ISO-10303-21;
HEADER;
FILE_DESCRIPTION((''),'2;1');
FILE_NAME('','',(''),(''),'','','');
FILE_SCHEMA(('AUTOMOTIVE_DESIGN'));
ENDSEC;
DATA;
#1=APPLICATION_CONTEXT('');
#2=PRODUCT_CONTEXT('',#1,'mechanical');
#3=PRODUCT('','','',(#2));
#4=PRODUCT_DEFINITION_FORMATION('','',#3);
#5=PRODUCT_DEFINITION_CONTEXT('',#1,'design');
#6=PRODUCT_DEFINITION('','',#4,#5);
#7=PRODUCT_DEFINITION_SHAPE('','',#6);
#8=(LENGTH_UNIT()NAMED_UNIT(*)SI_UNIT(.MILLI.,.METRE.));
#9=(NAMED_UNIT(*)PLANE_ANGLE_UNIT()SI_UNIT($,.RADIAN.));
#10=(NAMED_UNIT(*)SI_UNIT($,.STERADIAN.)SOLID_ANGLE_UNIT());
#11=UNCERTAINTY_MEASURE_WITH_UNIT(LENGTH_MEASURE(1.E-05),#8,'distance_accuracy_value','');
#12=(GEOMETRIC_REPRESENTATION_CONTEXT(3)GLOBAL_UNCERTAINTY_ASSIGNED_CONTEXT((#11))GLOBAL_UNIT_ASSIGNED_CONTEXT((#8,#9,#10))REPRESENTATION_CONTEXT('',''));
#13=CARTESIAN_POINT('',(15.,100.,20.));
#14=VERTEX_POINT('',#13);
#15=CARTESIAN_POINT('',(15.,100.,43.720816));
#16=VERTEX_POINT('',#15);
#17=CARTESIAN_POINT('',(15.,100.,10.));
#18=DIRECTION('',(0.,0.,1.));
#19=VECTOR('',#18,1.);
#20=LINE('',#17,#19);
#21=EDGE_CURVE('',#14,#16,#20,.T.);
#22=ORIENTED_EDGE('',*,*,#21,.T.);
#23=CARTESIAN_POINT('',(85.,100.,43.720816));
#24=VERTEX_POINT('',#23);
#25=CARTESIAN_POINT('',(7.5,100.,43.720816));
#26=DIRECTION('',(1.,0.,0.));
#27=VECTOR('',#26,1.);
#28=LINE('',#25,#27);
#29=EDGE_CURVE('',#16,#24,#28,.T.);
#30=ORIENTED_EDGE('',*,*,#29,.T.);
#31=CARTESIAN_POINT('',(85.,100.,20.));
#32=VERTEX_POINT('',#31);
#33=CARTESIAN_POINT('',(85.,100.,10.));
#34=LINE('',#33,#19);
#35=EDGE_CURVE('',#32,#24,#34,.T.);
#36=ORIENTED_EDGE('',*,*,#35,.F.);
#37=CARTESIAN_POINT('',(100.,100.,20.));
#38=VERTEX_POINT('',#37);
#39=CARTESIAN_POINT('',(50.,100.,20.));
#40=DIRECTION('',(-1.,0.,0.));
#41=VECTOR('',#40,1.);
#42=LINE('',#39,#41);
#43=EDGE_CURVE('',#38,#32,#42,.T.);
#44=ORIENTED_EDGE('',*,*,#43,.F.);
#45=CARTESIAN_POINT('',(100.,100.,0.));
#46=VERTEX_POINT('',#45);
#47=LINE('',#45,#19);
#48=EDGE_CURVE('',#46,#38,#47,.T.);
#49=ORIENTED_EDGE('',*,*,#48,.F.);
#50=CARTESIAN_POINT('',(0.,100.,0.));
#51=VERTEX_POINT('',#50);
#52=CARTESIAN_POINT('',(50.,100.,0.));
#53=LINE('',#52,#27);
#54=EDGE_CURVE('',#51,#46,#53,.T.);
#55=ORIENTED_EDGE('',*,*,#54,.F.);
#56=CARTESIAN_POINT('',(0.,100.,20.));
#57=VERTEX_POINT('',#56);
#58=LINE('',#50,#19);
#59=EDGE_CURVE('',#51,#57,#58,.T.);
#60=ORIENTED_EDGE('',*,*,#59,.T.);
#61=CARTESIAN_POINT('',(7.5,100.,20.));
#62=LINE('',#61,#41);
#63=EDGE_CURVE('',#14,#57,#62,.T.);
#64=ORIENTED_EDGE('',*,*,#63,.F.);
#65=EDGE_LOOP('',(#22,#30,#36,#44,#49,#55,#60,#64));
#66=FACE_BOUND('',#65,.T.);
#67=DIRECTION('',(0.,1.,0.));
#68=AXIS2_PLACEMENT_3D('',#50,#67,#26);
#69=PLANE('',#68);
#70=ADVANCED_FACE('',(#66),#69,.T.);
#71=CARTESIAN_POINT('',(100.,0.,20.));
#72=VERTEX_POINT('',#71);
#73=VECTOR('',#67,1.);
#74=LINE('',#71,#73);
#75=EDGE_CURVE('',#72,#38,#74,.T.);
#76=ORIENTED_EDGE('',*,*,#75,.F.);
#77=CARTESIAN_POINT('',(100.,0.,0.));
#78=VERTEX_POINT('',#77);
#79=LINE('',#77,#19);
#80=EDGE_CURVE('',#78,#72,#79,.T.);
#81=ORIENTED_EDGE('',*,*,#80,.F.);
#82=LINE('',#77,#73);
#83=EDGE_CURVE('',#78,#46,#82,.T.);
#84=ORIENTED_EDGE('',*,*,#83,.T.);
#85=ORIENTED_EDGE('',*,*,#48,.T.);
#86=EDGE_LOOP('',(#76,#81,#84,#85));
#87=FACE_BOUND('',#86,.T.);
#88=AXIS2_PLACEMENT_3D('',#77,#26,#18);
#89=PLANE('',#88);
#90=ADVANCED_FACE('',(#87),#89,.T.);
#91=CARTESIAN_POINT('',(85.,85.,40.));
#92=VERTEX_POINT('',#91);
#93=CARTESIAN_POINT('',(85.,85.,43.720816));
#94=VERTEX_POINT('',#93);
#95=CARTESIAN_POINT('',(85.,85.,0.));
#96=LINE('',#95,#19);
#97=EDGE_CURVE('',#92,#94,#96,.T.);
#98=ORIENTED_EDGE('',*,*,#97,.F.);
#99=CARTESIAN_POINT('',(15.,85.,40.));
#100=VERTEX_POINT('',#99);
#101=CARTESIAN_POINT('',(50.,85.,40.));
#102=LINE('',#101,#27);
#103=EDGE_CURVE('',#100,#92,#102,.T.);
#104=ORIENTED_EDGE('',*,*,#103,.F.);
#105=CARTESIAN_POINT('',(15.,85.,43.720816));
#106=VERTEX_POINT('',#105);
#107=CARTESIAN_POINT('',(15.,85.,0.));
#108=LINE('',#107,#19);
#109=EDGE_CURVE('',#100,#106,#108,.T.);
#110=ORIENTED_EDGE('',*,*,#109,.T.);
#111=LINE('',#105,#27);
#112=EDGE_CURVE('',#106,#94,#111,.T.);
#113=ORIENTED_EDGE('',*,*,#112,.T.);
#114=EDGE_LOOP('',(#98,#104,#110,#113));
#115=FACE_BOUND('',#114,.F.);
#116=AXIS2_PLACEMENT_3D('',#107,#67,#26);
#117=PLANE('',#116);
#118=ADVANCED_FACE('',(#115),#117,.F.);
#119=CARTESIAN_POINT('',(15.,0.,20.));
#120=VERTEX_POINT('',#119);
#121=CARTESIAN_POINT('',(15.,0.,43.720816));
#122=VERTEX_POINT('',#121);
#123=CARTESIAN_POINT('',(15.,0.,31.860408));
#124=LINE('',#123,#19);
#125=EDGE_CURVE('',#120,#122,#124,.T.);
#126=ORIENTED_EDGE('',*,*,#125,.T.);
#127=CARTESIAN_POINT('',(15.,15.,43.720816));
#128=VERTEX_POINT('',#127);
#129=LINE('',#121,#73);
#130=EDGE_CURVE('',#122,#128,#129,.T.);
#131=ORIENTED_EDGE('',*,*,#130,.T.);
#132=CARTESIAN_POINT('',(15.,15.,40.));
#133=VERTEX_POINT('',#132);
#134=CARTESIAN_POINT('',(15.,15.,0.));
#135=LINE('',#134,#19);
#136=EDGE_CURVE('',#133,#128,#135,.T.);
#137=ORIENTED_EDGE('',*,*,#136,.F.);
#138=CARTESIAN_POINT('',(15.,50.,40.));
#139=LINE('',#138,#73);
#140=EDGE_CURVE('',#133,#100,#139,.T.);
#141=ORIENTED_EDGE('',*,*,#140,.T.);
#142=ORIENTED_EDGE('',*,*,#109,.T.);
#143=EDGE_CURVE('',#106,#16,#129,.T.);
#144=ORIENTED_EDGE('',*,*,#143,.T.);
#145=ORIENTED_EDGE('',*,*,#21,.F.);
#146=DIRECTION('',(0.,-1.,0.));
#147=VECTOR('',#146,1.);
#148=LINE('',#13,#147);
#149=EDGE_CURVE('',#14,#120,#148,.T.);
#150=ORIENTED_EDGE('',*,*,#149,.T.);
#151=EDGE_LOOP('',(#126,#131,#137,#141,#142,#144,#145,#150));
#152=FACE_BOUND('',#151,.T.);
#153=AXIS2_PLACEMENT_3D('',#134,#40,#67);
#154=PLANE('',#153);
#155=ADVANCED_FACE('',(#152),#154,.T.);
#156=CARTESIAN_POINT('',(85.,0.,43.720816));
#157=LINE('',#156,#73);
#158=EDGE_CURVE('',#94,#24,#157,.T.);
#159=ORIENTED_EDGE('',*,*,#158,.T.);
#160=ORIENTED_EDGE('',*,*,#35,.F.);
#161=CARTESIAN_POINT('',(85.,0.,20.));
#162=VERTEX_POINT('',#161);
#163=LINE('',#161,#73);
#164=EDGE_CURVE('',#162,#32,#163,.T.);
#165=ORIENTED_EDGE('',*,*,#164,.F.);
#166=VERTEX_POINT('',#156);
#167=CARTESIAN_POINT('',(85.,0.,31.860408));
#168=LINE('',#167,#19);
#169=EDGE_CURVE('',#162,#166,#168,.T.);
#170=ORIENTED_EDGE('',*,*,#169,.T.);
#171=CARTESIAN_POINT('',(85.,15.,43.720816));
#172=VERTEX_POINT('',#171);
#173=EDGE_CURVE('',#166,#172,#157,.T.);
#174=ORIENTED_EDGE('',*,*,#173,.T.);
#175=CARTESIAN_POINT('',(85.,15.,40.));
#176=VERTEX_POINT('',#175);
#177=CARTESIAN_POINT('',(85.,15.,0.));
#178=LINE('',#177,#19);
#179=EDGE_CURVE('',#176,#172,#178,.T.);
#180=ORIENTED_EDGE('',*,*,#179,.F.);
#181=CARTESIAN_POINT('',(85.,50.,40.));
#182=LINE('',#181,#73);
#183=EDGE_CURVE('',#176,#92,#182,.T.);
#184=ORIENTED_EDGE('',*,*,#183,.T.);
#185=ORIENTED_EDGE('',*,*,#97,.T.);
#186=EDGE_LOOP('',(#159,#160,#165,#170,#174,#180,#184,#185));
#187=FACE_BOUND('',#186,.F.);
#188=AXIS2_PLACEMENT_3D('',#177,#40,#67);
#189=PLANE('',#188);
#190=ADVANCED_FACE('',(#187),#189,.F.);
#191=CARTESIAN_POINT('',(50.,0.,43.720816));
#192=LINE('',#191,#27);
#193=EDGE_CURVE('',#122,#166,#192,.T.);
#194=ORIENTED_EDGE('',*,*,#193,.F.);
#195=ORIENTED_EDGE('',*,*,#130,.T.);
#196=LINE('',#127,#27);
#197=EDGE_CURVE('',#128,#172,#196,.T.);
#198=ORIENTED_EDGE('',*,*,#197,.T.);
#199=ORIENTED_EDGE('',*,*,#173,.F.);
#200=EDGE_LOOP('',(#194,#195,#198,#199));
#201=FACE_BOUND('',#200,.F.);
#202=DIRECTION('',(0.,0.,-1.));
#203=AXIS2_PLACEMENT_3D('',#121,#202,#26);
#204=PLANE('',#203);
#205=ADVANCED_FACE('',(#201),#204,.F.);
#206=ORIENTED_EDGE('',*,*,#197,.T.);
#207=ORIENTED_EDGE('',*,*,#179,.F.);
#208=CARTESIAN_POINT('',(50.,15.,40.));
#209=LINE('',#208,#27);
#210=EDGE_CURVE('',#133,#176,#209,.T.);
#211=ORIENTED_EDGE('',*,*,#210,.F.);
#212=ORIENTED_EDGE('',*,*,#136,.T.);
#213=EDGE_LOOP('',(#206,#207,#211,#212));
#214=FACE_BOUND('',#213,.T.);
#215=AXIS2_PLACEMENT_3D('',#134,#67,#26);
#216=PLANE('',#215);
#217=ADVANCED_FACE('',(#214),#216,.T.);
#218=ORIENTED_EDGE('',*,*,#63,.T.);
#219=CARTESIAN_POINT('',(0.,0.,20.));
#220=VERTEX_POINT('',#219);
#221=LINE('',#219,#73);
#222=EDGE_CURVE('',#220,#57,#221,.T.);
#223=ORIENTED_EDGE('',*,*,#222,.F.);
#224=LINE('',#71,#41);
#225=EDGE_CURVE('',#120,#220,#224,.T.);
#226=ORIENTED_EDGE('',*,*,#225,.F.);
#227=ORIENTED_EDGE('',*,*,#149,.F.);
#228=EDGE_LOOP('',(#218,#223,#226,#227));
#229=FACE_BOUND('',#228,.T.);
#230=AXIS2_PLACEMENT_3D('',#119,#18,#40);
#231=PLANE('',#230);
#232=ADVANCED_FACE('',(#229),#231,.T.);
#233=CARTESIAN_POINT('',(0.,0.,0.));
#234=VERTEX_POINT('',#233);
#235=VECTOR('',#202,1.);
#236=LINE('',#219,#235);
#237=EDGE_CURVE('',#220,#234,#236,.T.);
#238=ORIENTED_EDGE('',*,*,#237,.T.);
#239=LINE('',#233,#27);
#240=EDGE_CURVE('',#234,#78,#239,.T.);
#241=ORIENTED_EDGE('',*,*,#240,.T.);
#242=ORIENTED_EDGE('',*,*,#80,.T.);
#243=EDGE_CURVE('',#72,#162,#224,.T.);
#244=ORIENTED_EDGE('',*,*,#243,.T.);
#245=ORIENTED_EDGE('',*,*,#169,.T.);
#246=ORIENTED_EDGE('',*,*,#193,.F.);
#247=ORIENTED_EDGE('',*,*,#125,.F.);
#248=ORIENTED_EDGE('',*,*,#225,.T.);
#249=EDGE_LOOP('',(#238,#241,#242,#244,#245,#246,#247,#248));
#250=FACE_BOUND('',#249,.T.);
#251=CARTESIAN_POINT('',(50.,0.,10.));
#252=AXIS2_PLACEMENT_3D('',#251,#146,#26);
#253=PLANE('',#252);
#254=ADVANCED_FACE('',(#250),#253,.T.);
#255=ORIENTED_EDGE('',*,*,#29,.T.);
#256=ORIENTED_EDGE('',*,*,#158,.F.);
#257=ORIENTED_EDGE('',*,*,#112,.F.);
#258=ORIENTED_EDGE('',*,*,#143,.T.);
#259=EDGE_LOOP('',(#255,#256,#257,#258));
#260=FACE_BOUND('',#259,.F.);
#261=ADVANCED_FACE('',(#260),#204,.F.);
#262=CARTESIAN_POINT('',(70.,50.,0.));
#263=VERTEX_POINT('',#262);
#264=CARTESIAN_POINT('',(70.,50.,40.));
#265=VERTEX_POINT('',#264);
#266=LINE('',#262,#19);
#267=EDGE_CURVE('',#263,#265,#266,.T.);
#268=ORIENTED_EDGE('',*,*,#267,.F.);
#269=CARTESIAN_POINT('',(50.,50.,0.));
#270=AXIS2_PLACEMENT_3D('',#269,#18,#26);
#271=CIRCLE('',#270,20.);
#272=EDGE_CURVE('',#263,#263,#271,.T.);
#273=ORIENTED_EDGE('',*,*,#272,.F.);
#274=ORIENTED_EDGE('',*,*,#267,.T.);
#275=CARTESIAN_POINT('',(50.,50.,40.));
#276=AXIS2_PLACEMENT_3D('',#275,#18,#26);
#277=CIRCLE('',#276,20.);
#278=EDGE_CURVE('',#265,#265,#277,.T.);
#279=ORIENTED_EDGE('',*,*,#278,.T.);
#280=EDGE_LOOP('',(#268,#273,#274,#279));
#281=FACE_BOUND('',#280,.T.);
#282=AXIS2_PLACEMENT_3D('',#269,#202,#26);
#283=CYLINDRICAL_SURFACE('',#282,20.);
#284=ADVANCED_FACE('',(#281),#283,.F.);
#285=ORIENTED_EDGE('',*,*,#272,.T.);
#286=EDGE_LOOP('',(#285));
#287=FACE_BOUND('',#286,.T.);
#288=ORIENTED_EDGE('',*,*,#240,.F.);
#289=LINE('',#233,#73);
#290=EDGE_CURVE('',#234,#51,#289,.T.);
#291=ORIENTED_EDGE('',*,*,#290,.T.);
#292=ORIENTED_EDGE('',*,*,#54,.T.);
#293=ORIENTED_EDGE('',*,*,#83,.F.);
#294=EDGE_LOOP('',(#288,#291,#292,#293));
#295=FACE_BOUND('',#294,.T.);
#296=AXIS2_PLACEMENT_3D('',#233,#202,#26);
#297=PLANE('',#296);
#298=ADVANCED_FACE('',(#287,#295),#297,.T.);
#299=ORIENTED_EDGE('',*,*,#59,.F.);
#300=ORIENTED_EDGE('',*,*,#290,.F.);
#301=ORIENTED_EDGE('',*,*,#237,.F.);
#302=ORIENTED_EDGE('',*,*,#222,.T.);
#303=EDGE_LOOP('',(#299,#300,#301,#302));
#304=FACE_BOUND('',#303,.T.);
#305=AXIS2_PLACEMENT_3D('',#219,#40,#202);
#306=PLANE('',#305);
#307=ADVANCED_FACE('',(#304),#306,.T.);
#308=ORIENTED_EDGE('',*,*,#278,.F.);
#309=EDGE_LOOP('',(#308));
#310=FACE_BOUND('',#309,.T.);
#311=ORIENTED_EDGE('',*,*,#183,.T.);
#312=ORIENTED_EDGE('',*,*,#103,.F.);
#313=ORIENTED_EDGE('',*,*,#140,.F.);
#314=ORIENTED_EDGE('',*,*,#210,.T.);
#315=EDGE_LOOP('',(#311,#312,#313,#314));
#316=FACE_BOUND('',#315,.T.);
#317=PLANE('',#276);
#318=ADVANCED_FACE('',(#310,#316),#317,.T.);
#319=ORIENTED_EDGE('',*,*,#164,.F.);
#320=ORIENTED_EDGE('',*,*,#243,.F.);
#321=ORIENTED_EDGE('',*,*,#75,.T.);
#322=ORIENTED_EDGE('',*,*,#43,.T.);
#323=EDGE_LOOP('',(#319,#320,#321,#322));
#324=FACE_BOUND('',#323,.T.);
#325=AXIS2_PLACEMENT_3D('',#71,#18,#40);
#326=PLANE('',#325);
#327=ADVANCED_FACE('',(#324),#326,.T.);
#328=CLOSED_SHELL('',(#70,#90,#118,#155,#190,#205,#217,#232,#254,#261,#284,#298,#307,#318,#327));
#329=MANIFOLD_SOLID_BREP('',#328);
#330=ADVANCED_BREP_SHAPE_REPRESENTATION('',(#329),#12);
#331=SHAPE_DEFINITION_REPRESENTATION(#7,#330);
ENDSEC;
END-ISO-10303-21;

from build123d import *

# Parameters (mm, degrees)
F0_W     = 70
F0_H     = 23.720817
F2_DEPTH = 1000
F1_W     = 100
F1_H     = 100
F1_W_2   = 70
F1_H_2   = 70
F3_DEPTH = 1000
F1_R     = 20
F4_DEPTH = 40


with BuildPart() as f2:
    # F0 (on Front) → F2 (new body)
    with BuildSketch(Plane.XZ):
        Polygon((0, 20), (0, 0), (100, 0), (100, 20), (85, 20), (15, 20), align=None)
        with Locations((50, 31.860408)):
            Rectangle(F0_W, F0_H)
    extrude(amount=-F2_DEPTH)

    # F1 (on Top) → F3 (intersect)
    with BuildSketch(Plane.XY):
        with Locations((50, 50)):
            Rectangle(F1_W, F1_H)
        with Locations((50, 50)):
            Rectangle(F1_W_2, F1_H_2, mode=Mode.SUBTRACT)
    extrude(amount=F3_DEPTH, mode=Mode.INTERSECT)

    # F1 (on Top) → F4 (join)
    with BuildSketch(Plane.XY):
        with Locations((50, 50)):
            Rectangle(F1_W_2, F1_H_2)
        with Locations((50, 50)):
            Circle(F1_R, mode=Mode.SUBTRACT)
    extrude(amount=F4_DEPTH)


solid = f2.part
